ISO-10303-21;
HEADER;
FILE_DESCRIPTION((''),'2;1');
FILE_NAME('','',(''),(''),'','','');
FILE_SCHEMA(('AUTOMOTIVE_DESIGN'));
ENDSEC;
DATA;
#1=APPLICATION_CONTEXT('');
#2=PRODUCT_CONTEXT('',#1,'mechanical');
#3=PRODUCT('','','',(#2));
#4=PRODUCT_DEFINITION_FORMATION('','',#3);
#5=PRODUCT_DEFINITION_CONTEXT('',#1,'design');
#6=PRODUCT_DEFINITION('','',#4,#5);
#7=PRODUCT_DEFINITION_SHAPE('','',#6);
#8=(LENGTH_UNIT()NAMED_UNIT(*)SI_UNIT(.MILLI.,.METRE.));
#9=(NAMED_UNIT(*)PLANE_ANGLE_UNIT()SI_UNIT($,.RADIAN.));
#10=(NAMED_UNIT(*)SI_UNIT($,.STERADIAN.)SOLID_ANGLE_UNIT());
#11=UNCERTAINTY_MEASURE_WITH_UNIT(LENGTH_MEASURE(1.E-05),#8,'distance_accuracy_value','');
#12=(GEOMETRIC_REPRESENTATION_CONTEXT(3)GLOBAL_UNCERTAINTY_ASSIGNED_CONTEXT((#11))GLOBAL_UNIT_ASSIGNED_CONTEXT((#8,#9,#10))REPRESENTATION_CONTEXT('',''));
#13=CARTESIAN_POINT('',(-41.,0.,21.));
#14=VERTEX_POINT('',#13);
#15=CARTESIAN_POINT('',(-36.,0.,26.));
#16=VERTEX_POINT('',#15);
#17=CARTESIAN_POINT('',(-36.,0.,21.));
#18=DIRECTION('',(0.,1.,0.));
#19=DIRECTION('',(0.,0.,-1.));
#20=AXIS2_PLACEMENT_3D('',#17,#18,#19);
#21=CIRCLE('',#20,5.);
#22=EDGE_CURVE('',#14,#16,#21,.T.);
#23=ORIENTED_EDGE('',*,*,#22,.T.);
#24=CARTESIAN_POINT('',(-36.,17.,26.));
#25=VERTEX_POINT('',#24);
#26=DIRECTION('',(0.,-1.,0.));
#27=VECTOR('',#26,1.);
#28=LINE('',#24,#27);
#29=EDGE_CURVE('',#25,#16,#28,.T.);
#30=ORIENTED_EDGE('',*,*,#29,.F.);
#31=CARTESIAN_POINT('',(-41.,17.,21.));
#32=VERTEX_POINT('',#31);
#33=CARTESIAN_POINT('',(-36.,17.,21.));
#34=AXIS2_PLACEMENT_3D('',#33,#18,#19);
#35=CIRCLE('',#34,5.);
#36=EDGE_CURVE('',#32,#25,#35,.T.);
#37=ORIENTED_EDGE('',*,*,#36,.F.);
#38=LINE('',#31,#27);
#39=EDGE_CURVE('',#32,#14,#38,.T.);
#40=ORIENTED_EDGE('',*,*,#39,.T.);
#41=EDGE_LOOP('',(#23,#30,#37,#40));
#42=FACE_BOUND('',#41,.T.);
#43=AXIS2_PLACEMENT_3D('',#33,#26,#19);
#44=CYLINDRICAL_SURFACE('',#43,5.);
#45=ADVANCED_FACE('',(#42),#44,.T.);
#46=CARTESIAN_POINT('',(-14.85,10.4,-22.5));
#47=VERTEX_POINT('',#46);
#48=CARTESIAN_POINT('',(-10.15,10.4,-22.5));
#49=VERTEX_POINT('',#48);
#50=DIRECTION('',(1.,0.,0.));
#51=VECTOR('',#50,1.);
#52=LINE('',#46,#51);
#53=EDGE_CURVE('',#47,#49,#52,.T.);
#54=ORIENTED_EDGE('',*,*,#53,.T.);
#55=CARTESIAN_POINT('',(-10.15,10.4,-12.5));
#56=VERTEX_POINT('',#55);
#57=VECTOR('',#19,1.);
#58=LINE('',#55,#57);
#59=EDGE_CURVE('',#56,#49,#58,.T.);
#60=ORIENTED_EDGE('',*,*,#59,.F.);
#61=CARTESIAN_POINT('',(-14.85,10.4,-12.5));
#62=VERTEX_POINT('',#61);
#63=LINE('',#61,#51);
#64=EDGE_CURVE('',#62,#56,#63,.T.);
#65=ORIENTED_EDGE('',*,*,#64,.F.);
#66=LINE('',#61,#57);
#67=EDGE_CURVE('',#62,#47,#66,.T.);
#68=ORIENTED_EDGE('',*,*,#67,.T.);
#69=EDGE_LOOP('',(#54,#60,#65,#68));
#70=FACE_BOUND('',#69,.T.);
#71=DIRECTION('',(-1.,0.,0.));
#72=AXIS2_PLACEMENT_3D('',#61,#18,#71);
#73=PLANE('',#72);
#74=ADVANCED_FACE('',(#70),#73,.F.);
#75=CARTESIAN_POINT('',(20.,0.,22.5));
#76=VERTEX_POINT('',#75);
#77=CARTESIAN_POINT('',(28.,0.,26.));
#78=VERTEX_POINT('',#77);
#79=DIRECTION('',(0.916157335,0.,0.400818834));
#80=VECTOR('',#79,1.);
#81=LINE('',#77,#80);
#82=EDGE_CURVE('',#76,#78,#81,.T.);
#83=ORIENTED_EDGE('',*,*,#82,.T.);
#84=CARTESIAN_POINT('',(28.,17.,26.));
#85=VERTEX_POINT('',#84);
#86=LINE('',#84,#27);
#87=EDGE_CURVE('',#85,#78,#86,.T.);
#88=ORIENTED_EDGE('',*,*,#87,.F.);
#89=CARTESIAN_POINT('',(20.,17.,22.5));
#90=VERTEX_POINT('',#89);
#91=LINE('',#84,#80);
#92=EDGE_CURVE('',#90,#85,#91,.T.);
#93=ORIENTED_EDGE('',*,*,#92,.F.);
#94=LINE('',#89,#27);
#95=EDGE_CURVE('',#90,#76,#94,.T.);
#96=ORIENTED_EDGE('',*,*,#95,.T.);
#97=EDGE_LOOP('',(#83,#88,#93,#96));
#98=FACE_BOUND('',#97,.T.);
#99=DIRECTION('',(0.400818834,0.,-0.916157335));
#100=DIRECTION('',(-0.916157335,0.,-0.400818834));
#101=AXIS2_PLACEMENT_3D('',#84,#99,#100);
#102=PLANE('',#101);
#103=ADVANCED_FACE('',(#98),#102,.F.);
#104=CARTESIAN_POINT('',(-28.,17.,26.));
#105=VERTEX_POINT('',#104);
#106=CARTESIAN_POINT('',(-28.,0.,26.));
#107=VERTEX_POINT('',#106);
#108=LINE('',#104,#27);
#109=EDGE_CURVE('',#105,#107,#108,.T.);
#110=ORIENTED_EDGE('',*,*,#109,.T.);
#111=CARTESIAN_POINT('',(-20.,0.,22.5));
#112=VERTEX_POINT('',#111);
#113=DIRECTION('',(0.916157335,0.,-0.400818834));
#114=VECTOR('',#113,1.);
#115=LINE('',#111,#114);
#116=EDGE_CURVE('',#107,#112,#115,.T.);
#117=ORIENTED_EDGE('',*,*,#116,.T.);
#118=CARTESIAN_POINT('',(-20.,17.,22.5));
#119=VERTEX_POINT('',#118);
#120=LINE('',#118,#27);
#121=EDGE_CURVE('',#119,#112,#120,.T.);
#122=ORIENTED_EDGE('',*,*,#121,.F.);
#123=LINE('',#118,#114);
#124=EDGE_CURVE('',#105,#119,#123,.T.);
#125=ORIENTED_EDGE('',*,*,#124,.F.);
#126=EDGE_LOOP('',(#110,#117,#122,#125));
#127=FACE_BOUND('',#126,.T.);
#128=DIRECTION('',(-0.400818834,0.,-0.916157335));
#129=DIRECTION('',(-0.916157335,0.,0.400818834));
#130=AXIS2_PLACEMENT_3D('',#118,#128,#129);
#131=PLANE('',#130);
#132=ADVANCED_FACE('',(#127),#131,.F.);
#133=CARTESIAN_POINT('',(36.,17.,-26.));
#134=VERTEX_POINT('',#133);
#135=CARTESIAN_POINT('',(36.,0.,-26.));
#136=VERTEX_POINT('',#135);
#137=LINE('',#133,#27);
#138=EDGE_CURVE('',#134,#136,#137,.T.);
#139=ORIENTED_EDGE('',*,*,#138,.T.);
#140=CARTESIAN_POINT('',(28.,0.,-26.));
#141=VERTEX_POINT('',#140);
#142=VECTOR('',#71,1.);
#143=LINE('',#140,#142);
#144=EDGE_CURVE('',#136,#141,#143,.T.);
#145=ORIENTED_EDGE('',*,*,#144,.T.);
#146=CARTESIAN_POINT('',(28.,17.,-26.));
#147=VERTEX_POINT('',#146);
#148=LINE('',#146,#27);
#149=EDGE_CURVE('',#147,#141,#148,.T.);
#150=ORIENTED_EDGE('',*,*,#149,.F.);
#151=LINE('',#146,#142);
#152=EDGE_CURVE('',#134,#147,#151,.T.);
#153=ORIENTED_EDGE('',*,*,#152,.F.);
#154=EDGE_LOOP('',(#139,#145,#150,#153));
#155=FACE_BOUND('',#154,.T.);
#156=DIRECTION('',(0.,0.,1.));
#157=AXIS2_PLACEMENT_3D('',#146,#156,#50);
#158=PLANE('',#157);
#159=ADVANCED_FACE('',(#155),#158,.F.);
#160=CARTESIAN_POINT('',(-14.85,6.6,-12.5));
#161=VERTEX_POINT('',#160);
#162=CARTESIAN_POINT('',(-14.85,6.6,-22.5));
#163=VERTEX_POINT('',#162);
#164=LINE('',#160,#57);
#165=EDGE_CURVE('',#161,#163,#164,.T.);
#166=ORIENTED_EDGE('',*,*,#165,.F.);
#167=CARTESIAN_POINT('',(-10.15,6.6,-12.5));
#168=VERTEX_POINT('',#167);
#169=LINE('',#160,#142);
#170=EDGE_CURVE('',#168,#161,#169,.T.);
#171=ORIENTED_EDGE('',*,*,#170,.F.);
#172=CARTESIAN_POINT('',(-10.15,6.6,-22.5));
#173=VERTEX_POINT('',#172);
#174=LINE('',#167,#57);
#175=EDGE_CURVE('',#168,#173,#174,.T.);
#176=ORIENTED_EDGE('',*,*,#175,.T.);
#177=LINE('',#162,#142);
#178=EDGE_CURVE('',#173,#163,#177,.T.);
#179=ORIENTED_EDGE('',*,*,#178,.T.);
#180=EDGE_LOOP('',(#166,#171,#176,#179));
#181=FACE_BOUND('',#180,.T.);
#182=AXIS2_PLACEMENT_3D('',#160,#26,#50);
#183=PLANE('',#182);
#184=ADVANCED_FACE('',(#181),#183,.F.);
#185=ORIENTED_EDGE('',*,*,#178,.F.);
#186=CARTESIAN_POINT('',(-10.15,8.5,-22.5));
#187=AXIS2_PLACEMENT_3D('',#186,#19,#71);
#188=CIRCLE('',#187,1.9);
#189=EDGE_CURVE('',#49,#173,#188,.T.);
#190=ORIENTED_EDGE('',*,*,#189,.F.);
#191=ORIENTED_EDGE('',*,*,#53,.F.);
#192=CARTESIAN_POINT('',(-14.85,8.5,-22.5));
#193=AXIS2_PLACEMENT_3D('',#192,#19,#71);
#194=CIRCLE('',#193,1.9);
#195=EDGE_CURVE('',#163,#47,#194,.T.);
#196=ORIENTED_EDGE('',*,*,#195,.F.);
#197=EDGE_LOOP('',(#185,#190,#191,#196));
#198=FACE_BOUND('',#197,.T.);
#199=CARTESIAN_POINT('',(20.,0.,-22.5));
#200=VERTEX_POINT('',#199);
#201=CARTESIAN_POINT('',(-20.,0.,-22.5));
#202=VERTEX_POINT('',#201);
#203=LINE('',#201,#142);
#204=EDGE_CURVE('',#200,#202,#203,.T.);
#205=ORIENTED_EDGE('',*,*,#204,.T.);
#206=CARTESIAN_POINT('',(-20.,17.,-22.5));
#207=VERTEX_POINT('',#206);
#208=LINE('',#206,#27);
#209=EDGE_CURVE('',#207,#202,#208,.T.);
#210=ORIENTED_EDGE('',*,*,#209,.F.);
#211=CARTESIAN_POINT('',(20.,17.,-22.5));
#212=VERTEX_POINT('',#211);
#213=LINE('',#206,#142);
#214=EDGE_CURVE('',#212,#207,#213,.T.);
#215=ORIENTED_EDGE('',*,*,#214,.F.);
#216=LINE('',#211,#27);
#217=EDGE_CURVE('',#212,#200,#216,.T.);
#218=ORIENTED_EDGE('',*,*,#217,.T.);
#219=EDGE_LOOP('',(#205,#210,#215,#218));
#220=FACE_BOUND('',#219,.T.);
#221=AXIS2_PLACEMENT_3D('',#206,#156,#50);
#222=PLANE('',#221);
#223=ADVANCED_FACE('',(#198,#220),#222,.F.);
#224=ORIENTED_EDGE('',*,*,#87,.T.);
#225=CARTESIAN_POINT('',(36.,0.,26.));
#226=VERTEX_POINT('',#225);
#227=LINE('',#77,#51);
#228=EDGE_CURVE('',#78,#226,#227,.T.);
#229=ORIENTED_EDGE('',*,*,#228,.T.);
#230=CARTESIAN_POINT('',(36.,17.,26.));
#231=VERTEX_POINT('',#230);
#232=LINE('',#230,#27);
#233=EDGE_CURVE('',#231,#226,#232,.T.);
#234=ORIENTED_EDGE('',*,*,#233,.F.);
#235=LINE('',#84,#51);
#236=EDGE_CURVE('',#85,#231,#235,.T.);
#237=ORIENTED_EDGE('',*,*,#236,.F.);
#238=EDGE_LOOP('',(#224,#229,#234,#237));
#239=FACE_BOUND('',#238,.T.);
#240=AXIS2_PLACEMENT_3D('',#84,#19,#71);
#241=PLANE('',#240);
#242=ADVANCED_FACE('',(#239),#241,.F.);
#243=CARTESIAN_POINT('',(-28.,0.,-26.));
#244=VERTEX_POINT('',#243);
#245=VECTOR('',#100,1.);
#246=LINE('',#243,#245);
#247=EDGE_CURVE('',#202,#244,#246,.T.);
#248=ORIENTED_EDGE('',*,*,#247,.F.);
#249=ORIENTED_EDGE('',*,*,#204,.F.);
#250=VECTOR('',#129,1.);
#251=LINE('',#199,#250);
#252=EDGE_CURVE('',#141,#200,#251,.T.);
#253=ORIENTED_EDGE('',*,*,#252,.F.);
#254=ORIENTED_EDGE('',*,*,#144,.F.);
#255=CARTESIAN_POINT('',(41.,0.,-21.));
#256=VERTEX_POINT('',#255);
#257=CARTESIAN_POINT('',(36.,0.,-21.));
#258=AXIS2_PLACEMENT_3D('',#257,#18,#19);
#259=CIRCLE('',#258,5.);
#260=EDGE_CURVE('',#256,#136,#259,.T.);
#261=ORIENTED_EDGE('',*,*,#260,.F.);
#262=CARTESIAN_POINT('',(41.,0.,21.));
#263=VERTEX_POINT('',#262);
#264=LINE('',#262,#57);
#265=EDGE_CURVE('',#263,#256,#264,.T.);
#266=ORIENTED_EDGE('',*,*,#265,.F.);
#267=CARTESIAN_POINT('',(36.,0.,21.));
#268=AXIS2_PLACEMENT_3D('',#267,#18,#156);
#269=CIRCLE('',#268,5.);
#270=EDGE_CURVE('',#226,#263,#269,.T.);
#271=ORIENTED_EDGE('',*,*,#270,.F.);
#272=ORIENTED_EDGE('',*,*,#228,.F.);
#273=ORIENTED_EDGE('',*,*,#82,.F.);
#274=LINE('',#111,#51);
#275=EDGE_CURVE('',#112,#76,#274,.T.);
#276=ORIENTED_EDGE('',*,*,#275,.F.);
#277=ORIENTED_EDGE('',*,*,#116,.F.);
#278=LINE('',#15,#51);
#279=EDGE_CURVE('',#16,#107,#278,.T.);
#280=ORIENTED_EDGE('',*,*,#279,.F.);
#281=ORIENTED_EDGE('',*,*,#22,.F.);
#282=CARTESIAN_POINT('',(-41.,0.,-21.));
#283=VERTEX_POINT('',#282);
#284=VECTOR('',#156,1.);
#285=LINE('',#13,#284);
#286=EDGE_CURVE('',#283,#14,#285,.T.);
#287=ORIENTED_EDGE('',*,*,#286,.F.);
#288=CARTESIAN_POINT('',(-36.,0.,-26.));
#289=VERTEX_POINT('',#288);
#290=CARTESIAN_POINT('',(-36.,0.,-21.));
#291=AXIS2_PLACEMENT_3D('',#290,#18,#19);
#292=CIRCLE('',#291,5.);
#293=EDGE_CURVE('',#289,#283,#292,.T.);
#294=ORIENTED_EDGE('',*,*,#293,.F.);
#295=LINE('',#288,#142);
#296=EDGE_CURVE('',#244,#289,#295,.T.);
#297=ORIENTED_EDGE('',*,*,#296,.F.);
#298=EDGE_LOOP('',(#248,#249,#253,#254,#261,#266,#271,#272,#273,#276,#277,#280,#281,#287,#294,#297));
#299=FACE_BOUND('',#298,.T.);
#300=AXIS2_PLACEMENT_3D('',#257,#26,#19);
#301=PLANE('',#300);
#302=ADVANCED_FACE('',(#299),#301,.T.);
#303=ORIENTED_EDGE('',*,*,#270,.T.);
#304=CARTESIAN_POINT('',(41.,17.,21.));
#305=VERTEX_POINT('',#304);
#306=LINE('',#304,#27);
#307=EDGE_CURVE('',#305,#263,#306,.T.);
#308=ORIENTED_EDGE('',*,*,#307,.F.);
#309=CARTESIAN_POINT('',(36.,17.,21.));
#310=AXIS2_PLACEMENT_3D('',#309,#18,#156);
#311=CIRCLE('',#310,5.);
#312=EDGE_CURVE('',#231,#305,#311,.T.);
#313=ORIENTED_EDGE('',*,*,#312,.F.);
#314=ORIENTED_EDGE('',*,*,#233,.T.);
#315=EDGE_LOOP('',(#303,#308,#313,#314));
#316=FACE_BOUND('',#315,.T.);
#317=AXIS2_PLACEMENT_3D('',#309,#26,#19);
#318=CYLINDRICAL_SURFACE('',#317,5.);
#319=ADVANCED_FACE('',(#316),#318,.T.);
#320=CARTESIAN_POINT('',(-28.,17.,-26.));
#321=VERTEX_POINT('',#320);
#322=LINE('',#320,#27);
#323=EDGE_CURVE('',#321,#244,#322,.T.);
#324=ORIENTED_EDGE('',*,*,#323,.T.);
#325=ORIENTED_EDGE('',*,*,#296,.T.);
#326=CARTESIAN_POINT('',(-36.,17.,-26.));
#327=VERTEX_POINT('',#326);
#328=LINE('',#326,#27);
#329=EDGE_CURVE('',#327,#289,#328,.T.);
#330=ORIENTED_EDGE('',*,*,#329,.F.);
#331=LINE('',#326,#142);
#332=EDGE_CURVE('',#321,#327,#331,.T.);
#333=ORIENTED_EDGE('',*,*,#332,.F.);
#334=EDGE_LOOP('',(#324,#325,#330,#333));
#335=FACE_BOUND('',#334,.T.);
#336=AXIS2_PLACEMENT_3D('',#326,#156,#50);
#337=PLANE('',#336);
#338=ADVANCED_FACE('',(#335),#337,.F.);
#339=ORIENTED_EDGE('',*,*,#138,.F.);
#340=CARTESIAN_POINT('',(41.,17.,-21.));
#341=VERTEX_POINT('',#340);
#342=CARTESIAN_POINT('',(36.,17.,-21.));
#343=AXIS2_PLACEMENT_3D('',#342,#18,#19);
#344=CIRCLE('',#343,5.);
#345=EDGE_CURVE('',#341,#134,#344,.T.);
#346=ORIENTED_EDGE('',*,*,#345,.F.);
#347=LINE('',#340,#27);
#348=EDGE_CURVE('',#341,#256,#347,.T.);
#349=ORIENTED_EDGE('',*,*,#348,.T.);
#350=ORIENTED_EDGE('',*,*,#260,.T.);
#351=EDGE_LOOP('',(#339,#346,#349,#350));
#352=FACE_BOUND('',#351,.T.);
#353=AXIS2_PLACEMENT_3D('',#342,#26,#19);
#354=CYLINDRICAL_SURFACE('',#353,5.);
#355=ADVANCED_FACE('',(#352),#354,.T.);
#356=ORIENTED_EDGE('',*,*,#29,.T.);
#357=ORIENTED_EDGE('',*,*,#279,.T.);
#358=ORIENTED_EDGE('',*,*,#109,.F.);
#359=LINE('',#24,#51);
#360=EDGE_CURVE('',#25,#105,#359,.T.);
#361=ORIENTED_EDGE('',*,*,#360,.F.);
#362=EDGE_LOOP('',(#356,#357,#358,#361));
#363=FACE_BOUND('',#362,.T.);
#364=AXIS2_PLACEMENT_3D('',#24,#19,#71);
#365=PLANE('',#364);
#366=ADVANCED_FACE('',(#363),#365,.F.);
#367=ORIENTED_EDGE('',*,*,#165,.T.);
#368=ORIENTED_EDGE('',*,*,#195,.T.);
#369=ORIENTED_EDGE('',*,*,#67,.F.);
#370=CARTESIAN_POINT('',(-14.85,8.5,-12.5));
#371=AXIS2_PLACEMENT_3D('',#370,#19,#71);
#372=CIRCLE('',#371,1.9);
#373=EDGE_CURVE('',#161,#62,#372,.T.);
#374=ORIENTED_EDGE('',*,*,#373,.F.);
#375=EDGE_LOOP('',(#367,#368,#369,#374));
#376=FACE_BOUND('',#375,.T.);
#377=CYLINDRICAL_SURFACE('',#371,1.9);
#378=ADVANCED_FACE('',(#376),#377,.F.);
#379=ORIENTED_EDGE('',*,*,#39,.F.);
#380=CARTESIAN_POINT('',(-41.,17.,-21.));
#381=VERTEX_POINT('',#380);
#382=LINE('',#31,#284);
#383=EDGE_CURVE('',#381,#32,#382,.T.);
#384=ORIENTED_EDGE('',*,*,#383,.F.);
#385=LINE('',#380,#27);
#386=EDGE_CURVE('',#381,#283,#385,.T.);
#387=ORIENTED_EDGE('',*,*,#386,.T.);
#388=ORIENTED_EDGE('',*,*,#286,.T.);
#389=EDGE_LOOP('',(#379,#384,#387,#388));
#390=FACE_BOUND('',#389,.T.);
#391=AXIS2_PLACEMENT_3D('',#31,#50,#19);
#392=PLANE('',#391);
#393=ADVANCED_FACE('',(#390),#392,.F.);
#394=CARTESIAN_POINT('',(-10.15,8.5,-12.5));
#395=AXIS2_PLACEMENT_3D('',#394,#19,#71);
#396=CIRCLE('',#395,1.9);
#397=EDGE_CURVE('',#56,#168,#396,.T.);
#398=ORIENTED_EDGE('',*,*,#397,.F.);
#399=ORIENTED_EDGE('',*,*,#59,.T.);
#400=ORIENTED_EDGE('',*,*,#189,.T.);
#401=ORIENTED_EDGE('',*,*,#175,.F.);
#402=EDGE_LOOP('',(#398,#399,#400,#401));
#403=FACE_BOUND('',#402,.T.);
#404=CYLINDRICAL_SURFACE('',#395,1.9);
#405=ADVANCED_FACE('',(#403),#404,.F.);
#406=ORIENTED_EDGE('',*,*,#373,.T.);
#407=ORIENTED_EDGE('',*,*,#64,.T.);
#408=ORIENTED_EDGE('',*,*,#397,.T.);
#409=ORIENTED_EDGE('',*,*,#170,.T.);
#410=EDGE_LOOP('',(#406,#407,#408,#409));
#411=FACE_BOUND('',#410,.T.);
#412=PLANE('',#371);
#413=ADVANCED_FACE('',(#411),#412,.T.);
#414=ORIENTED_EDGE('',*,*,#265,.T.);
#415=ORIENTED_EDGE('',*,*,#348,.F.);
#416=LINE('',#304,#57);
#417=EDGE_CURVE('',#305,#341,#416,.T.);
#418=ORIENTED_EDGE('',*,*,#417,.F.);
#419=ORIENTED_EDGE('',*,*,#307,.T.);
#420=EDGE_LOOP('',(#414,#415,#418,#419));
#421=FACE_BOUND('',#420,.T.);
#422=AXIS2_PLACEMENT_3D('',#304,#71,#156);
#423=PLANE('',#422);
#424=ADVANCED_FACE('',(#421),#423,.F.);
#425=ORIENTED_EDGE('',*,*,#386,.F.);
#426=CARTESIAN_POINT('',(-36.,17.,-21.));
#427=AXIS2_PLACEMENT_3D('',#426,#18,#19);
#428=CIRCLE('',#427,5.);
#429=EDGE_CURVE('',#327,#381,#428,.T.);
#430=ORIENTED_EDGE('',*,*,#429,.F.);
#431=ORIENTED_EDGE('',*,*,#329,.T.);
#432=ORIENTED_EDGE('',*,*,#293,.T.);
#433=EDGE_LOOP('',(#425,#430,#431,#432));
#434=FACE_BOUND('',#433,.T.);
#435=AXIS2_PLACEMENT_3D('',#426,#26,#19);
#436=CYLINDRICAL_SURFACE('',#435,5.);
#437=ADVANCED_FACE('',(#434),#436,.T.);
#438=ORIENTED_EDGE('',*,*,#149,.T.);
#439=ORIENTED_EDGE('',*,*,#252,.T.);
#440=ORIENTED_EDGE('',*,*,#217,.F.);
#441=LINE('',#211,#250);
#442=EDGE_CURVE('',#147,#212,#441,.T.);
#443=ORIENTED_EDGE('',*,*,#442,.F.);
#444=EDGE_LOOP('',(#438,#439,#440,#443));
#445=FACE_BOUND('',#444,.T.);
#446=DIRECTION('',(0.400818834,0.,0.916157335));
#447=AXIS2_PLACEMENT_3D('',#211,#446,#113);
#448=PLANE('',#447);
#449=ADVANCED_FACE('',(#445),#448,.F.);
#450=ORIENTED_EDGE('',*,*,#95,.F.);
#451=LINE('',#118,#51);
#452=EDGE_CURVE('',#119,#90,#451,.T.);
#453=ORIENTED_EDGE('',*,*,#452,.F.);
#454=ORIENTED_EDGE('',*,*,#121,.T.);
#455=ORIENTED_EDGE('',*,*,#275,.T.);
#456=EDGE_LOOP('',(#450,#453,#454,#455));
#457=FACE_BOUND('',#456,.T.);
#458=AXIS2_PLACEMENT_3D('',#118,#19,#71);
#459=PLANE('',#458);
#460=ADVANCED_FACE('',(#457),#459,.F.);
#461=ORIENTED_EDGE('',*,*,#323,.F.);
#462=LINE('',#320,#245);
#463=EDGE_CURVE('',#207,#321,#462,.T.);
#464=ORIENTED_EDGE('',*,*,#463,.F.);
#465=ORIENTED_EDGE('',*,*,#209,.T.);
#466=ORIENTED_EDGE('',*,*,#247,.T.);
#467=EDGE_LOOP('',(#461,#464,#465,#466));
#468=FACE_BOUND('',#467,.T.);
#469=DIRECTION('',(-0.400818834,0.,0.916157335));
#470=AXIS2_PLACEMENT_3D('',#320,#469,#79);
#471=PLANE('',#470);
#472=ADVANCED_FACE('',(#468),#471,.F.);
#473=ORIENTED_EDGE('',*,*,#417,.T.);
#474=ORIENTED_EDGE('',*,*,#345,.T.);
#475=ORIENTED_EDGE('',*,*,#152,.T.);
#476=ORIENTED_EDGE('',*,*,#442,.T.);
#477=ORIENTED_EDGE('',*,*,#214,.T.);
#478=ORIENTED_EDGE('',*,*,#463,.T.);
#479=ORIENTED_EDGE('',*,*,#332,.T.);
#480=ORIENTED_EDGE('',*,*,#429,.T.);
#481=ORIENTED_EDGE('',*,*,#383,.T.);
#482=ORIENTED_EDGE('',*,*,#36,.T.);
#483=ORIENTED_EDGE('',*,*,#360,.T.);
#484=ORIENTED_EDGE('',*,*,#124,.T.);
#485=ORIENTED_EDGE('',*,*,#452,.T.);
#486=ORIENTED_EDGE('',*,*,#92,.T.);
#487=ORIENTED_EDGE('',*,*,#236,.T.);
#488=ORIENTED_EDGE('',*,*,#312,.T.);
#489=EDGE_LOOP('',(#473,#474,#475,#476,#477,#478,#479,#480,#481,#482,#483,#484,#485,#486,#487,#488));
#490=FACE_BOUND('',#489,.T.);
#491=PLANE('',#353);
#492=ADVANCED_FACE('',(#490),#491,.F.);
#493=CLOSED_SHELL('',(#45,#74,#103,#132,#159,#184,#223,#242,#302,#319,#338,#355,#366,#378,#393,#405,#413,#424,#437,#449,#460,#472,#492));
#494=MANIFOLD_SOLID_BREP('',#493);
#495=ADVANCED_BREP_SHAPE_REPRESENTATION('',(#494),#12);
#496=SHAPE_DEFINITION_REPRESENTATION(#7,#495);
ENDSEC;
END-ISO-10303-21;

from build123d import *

# Parameters (mm, degrees)
EXTRUDE_1_DEPTH     = 17
CUT_EXTRUDE_1_DEPTH = 10


with BuildPart() as part:
    # 草圖1 → 填料-伸長1 (new body)
    with BuildSketch(Plane(origin=(0, 0, 0), x_dir=(1, 0, 0), z_dir=(0, 1, 0))):
        with BuildLine():
            Line((28, 26), (36, 26))
            ThreePointArc((36, 26), (39.535533906, 24.535533906), (41, 21))
            Line((41, 21), (41, -21))
            ThreePointArc((41, -21), (39.535533906, -24.535533906), (36, -26))
            Line((36, -26), (28, -26))
            Line((28, -26), (20, -22.5))
            Line((20, -22.5), (-20, -22.5))
            Line((-20, -22.5), (-28, -26))
            Line((-28, -26), (-36, -26))
            ThreePointArc((-36, -26), (-39.535533906, -24.535533906), (-41, -21))
            Line((-41, -21), (-41, 21))
            ThreePointArc((-41, 21), (-39.535533906, 24.535533906), (-36, 26))
            Line((-36, 26), (-28, 26))
            Line((-28, 26), (-20, 22.5))
            Line((-20, 22.5), (20, 22.5))
            Line((20, 22.5), (28, 26))
        make_face()
    extrude(amount=EXTRUDE_1_DEPTH)

    # 草圖2 → 除料-伸長1 (cut)
    with BuildSketch(Plane(origin=(0, 0, -22.5), x_dir=(-1, 0, 0), z_dir=(0, 0, -1))):
        with BuildLine():
            Line((14.85, 6.6), (10.15, 6.6))
            ThreePointArc((10.15, 6.6), (8.25, 8.5), (10.15, 10.4))
            Line((10.15, 10.4), (14.85, 10.4))
            ThreePointArc((14.85, 10.4), (16.75, 8.5), (14.85, 6.6))
        make_face()
    extrude(amount=-CUT_EXTRUDE_1_DEPTH, mode=Mode.SUBTRACT)


solid = part.part
